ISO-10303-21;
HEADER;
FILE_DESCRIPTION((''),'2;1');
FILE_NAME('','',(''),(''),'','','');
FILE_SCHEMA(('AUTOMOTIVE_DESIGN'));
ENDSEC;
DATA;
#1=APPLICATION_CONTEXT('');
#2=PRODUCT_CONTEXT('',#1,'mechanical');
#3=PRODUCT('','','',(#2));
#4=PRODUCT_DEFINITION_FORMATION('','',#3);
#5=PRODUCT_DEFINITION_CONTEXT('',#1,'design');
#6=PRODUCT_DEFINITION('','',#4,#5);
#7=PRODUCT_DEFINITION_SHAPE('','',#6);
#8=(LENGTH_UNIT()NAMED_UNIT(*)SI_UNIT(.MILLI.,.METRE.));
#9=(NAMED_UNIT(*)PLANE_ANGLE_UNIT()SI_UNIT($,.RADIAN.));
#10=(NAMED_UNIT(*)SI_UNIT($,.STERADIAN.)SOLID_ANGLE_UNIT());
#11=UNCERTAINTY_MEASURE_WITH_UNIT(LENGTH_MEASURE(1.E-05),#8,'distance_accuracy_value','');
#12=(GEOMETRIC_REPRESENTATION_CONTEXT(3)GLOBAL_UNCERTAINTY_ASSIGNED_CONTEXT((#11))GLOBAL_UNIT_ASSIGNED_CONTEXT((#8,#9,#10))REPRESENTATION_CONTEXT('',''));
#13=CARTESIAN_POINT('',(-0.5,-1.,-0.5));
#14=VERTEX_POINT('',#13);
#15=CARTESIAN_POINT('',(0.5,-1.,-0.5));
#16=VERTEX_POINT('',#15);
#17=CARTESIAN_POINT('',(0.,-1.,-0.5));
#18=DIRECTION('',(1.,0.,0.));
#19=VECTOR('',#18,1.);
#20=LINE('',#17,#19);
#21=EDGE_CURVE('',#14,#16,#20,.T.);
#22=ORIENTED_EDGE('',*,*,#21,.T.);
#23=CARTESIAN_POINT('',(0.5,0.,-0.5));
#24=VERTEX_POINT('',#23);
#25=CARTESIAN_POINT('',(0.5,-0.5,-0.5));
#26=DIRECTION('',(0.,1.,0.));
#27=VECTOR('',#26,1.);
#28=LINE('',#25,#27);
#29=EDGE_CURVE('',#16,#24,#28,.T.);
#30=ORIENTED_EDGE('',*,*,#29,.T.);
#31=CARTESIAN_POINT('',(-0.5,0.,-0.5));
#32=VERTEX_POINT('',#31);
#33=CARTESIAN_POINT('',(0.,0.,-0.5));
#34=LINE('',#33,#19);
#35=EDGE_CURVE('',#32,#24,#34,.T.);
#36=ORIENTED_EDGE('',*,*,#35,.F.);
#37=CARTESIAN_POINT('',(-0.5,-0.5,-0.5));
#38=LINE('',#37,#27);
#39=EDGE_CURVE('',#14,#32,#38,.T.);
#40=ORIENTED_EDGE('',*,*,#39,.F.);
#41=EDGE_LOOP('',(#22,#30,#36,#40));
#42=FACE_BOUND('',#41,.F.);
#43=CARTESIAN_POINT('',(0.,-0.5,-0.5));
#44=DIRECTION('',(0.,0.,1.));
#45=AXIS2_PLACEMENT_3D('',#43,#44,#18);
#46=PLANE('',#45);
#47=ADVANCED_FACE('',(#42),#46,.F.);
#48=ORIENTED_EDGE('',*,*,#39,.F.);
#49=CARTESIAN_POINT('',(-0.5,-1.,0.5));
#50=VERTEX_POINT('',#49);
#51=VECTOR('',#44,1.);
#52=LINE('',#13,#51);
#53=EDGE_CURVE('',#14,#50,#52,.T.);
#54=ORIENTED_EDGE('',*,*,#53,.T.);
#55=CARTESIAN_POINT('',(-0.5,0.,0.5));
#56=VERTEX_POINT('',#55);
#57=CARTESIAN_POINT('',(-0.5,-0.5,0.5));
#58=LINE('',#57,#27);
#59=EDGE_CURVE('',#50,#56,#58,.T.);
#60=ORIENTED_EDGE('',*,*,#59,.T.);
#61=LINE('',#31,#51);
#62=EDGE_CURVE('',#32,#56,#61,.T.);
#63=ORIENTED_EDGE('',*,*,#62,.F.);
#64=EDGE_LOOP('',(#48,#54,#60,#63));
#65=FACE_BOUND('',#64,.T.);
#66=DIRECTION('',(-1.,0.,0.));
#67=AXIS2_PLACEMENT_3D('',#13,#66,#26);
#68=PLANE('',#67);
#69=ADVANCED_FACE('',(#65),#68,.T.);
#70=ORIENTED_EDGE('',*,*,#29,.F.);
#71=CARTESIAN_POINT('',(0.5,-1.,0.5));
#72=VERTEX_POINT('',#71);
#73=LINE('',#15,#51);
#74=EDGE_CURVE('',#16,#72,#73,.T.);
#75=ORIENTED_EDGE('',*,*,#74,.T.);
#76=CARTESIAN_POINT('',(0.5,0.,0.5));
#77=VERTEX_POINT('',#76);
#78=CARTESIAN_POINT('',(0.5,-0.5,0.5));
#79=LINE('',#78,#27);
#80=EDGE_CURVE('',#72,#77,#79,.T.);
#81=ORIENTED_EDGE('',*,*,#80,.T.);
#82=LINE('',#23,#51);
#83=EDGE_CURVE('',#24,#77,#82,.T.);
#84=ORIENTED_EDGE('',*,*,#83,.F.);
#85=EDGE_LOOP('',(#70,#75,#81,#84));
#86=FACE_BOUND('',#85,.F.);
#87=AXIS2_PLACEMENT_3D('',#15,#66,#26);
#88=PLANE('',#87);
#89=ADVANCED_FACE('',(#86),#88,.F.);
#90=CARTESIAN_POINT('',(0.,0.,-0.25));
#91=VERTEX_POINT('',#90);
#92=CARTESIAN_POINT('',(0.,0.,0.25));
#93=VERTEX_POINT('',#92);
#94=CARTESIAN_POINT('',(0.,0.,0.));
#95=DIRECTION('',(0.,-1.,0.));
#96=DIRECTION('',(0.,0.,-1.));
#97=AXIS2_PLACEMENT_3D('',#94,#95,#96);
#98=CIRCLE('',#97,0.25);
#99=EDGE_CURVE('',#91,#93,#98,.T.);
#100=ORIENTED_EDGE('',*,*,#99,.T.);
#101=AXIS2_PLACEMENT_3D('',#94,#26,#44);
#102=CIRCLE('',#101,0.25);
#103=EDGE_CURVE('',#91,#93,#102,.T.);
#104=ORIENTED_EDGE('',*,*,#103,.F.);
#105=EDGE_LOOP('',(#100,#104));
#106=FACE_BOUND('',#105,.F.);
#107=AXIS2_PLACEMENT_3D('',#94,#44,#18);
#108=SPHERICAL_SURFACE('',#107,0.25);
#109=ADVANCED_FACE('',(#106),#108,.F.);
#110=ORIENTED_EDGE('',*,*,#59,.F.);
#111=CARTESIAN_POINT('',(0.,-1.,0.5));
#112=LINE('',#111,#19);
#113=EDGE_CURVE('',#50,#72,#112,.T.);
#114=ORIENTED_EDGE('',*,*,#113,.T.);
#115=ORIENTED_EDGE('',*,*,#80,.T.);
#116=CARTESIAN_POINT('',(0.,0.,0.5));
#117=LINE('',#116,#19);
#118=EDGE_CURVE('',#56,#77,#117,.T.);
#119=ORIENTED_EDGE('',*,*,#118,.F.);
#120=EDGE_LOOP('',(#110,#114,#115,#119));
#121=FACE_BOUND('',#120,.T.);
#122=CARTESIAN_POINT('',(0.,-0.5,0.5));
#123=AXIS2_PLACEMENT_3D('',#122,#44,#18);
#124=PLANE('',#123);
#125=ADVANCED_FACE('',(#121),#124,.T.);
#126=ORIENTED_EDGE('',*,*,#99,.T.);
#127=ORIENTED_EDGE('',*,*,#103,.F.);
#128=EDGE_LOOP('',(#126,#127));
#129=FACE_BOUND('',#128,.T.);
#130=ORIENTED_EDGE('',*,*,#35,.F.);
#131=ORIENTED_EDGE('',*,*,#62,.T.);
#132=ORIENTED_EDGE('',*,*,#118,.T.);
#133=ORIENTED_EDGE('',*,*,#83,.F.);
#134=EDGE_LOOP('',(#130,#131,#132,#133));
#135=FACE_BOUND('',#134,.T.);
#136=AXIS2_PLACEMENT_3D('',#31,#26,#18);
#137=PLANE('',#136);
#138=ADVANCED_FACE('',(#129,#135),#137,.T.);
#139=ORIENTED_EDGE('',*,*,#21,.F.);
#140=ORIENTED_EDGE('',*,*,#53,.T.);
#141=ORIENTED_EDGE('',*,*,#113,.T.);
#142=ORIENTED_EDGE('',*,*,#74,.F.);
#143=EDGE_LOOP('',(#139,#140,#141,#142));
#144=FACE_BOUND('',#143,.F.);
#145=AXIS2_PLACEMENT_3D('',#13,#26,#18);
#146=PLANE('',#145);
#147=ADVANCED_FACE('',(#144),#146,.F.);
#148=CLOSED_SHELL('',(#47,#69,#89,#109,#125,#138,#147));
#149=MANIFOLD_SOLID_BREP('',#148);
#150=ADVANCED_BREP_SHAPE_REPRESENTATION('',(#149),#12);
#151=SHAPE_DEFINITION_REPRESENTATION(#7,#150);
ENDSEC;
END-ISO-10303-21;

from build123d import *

# Parameters (mm, degrees)
BOX_W     = 1
BOX_H     = 1
BOX_DEPTH = 1


with BuildPart() as sphere:
    # Sphere → Sphere (revolve)
    with BuildSketch(Plane.XZ):
        with BuildLine():
            ThreePointArc((0, -0.25), (0.25, 0), (0, 0.25))
            Line((0, 0.25), (0, -0.25))
        make_face()
    revolve(axis=Axis((0, 0, 0), (0, 0, 1)))


with BuildPart() as cut:
    # Box → Box (new body)
    with BuildSketch(Plane(origin=(-0.5, -1, -0.5), x_dir=(1, 0, 0), z_dir=(0, 0, 1))):
        with Locations((0.5, 0.5)):
            Rectangle(BOX_W, BOX_H)
    extrude(amount=BOX_DEPTH)

    # Cut: cut Sphere
    add(sphere.part, mode=Mode.SUBTRACT)


solid = cut.part
